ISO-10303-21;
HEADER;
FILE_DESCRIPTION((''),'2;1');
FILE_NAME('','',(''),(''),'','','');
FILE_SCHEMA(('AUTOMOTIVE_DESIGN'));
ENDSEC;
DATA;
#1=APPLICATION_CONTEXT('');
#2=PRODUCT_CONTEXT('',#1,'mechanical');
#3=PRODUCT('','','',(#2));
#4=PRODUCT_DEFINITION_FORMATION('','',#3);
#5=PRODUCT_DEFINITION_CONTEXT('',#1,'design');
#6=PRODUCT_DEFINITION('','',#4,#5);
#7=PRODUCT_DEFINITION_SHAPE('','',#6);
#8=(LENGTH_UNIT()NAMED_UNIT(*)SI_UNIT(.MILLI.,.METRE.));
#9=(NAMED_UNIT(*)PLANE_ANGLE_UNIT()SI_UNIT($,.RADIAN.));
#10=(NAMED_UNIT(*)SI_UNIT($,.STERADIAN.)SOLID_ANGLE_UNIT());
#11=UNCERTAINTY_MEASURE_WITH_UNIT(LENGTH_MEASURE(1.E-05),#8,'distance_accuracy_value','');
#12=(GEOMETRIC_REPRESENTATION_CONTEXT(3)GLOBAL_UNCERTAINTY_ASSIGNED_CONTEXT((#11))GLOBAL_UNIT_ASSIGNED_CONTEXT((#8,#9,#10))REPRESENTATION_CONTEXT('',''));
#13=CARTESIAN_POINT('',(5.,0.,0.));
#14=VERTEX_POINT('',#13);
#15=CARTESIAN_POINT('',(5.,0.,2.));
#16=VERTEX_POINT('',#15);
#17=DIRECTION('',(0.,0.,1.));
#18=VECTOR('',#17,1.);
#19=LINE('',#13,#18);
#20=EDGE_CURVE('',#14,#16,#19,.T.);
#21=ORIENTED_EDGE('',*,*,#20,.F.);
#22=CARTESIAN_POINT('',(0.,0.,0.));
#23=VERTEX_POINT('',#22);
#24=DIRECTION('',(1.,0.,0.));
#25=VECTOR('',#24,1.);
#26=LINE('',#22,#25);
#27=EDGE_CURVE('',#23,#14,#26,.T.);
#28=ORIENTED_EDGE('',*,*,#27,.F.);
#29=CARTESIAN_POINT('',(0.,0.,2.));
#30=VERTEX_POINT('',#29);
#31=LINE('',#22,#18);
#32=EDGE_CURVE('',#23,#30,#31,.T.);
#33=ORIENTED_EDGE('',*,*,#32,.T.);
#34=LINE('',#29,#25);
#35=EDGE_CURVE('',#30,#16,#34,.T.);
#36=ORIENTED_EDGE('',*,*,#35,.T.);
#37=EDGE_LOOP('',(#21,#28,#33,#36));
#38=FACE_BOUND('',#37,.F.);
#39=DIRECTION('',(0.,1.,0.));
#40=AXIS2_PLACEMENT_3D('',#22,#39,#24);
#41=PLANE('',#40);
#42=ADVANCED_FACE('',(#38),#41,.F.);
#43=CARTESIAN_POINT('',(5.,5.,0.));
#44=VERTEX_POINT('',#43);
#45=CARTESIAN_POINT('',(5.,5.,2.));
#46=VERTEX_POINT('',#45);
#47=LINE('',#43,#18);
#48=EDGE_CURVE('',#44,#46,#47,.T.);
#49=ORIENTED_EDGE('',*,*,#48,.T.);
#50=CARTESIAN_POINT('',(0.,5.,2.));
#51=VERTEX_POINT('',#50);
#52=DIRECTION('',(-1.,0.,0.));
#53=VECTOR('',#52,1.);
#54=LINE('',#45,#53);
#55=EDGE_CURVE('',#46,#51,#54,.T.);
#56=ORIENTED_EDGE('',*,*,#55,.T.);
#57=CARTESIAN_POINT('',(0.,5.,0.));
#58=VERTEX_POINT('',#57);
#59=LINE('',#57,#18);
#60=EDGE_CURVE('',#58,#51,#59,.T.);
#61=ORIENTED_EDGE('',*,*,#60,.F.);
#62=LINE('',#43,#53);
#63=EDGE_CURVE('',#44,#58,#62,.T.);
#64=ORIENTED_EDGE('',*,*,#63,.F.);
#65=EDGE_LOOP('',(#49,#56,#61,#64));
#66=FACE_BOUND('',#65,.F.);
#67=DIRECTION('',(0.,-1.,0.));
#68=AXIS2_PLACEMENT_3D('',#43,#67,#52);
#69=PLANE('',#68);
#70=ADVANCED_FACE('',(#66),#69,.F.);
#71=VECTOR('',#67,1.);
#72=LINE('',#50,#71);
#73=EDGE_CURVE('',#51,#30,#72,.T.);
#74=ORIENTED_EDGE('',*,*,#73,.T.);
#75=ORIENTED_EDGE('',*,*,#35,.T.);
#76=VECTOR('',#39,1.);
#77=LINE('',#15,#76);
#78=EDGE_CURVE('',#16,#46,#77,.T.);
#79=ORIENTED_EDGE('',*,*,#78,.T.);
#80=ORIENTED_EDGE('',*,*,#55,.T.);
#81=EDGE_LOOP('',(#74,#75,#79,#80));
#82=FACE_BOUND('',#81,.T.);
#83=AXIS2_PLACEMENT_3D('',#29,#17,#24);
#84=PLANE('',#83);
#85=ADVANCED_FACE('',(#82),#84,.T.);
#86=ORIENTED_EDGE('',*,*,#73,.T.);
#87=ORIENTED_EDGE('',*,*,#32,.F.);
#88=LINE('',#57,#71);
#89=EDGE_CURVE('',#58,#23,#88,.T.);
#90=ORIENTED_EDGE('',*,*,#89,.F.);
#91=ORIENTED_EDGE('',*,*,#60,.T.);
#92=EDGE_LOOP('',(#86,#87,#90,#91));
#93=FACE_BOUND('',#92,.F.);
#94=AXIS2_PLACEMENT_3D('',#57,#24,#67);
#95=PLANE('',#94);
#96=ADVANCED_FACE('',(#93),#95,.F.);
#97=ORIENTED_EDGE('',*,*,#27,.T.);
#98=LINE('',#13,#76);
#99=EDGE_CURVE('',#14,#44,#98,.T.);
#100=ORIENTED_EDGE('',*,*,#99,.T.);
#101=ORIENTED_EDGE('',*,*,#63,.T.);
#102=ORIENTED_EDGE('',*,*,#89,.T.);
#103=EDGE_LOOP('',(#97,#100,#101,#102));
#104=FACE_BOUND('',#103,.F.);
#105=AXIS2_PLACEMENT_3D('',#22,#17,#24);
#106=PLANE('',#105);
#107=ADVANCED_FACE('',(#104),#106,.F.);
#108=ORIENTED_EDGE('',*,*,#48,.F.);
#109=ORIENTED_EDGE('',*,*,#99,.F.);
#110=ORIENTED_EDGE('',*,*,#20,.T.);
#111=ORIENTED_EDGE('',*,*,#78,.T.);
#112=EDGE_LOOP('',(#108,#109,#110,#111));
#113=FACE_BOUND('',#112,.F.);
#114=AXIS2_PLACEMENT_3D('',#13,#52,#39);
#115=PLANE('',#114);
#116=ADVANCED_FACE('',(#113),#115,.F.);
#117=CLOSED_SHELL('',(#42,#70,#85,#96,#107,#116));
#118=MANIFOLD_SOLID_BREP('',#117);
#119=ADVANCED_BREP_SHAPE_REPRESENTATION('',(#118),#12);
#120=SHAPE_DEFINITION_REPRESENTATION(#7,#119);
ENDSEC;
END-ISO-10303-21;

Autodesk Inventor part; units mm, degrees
ref_plane "YZ Plane" through (0, 0, 0) normal (1, 0, 0) x (0, 1, 0)
ref_plane "XZ Plane" through (0, 0, 0) normal (0, 1, 0) x (-1, 0, 0)
ref_plane "XY Plane" through (0, 0, 0) normal (0, 0, 1) x (1, 0, 0)
sketch "Sketch1" plane through (0, 0, 0) normal (0, 0, 1) x (1, 0, 0)
  line L0 (0, 0) -> (5, 0)
  line L1 (5, 0) -> (5, 5)
  line L2 (5, 5) -> (0, 5)
  line L3 (0, 5) -> (0, 0)
  dimension "d0" = 5
  dimension "d1" = 5
extrude "Extrusion1" add sketch "Sketch1" along normal blind 2
properties part number "Scraper"
